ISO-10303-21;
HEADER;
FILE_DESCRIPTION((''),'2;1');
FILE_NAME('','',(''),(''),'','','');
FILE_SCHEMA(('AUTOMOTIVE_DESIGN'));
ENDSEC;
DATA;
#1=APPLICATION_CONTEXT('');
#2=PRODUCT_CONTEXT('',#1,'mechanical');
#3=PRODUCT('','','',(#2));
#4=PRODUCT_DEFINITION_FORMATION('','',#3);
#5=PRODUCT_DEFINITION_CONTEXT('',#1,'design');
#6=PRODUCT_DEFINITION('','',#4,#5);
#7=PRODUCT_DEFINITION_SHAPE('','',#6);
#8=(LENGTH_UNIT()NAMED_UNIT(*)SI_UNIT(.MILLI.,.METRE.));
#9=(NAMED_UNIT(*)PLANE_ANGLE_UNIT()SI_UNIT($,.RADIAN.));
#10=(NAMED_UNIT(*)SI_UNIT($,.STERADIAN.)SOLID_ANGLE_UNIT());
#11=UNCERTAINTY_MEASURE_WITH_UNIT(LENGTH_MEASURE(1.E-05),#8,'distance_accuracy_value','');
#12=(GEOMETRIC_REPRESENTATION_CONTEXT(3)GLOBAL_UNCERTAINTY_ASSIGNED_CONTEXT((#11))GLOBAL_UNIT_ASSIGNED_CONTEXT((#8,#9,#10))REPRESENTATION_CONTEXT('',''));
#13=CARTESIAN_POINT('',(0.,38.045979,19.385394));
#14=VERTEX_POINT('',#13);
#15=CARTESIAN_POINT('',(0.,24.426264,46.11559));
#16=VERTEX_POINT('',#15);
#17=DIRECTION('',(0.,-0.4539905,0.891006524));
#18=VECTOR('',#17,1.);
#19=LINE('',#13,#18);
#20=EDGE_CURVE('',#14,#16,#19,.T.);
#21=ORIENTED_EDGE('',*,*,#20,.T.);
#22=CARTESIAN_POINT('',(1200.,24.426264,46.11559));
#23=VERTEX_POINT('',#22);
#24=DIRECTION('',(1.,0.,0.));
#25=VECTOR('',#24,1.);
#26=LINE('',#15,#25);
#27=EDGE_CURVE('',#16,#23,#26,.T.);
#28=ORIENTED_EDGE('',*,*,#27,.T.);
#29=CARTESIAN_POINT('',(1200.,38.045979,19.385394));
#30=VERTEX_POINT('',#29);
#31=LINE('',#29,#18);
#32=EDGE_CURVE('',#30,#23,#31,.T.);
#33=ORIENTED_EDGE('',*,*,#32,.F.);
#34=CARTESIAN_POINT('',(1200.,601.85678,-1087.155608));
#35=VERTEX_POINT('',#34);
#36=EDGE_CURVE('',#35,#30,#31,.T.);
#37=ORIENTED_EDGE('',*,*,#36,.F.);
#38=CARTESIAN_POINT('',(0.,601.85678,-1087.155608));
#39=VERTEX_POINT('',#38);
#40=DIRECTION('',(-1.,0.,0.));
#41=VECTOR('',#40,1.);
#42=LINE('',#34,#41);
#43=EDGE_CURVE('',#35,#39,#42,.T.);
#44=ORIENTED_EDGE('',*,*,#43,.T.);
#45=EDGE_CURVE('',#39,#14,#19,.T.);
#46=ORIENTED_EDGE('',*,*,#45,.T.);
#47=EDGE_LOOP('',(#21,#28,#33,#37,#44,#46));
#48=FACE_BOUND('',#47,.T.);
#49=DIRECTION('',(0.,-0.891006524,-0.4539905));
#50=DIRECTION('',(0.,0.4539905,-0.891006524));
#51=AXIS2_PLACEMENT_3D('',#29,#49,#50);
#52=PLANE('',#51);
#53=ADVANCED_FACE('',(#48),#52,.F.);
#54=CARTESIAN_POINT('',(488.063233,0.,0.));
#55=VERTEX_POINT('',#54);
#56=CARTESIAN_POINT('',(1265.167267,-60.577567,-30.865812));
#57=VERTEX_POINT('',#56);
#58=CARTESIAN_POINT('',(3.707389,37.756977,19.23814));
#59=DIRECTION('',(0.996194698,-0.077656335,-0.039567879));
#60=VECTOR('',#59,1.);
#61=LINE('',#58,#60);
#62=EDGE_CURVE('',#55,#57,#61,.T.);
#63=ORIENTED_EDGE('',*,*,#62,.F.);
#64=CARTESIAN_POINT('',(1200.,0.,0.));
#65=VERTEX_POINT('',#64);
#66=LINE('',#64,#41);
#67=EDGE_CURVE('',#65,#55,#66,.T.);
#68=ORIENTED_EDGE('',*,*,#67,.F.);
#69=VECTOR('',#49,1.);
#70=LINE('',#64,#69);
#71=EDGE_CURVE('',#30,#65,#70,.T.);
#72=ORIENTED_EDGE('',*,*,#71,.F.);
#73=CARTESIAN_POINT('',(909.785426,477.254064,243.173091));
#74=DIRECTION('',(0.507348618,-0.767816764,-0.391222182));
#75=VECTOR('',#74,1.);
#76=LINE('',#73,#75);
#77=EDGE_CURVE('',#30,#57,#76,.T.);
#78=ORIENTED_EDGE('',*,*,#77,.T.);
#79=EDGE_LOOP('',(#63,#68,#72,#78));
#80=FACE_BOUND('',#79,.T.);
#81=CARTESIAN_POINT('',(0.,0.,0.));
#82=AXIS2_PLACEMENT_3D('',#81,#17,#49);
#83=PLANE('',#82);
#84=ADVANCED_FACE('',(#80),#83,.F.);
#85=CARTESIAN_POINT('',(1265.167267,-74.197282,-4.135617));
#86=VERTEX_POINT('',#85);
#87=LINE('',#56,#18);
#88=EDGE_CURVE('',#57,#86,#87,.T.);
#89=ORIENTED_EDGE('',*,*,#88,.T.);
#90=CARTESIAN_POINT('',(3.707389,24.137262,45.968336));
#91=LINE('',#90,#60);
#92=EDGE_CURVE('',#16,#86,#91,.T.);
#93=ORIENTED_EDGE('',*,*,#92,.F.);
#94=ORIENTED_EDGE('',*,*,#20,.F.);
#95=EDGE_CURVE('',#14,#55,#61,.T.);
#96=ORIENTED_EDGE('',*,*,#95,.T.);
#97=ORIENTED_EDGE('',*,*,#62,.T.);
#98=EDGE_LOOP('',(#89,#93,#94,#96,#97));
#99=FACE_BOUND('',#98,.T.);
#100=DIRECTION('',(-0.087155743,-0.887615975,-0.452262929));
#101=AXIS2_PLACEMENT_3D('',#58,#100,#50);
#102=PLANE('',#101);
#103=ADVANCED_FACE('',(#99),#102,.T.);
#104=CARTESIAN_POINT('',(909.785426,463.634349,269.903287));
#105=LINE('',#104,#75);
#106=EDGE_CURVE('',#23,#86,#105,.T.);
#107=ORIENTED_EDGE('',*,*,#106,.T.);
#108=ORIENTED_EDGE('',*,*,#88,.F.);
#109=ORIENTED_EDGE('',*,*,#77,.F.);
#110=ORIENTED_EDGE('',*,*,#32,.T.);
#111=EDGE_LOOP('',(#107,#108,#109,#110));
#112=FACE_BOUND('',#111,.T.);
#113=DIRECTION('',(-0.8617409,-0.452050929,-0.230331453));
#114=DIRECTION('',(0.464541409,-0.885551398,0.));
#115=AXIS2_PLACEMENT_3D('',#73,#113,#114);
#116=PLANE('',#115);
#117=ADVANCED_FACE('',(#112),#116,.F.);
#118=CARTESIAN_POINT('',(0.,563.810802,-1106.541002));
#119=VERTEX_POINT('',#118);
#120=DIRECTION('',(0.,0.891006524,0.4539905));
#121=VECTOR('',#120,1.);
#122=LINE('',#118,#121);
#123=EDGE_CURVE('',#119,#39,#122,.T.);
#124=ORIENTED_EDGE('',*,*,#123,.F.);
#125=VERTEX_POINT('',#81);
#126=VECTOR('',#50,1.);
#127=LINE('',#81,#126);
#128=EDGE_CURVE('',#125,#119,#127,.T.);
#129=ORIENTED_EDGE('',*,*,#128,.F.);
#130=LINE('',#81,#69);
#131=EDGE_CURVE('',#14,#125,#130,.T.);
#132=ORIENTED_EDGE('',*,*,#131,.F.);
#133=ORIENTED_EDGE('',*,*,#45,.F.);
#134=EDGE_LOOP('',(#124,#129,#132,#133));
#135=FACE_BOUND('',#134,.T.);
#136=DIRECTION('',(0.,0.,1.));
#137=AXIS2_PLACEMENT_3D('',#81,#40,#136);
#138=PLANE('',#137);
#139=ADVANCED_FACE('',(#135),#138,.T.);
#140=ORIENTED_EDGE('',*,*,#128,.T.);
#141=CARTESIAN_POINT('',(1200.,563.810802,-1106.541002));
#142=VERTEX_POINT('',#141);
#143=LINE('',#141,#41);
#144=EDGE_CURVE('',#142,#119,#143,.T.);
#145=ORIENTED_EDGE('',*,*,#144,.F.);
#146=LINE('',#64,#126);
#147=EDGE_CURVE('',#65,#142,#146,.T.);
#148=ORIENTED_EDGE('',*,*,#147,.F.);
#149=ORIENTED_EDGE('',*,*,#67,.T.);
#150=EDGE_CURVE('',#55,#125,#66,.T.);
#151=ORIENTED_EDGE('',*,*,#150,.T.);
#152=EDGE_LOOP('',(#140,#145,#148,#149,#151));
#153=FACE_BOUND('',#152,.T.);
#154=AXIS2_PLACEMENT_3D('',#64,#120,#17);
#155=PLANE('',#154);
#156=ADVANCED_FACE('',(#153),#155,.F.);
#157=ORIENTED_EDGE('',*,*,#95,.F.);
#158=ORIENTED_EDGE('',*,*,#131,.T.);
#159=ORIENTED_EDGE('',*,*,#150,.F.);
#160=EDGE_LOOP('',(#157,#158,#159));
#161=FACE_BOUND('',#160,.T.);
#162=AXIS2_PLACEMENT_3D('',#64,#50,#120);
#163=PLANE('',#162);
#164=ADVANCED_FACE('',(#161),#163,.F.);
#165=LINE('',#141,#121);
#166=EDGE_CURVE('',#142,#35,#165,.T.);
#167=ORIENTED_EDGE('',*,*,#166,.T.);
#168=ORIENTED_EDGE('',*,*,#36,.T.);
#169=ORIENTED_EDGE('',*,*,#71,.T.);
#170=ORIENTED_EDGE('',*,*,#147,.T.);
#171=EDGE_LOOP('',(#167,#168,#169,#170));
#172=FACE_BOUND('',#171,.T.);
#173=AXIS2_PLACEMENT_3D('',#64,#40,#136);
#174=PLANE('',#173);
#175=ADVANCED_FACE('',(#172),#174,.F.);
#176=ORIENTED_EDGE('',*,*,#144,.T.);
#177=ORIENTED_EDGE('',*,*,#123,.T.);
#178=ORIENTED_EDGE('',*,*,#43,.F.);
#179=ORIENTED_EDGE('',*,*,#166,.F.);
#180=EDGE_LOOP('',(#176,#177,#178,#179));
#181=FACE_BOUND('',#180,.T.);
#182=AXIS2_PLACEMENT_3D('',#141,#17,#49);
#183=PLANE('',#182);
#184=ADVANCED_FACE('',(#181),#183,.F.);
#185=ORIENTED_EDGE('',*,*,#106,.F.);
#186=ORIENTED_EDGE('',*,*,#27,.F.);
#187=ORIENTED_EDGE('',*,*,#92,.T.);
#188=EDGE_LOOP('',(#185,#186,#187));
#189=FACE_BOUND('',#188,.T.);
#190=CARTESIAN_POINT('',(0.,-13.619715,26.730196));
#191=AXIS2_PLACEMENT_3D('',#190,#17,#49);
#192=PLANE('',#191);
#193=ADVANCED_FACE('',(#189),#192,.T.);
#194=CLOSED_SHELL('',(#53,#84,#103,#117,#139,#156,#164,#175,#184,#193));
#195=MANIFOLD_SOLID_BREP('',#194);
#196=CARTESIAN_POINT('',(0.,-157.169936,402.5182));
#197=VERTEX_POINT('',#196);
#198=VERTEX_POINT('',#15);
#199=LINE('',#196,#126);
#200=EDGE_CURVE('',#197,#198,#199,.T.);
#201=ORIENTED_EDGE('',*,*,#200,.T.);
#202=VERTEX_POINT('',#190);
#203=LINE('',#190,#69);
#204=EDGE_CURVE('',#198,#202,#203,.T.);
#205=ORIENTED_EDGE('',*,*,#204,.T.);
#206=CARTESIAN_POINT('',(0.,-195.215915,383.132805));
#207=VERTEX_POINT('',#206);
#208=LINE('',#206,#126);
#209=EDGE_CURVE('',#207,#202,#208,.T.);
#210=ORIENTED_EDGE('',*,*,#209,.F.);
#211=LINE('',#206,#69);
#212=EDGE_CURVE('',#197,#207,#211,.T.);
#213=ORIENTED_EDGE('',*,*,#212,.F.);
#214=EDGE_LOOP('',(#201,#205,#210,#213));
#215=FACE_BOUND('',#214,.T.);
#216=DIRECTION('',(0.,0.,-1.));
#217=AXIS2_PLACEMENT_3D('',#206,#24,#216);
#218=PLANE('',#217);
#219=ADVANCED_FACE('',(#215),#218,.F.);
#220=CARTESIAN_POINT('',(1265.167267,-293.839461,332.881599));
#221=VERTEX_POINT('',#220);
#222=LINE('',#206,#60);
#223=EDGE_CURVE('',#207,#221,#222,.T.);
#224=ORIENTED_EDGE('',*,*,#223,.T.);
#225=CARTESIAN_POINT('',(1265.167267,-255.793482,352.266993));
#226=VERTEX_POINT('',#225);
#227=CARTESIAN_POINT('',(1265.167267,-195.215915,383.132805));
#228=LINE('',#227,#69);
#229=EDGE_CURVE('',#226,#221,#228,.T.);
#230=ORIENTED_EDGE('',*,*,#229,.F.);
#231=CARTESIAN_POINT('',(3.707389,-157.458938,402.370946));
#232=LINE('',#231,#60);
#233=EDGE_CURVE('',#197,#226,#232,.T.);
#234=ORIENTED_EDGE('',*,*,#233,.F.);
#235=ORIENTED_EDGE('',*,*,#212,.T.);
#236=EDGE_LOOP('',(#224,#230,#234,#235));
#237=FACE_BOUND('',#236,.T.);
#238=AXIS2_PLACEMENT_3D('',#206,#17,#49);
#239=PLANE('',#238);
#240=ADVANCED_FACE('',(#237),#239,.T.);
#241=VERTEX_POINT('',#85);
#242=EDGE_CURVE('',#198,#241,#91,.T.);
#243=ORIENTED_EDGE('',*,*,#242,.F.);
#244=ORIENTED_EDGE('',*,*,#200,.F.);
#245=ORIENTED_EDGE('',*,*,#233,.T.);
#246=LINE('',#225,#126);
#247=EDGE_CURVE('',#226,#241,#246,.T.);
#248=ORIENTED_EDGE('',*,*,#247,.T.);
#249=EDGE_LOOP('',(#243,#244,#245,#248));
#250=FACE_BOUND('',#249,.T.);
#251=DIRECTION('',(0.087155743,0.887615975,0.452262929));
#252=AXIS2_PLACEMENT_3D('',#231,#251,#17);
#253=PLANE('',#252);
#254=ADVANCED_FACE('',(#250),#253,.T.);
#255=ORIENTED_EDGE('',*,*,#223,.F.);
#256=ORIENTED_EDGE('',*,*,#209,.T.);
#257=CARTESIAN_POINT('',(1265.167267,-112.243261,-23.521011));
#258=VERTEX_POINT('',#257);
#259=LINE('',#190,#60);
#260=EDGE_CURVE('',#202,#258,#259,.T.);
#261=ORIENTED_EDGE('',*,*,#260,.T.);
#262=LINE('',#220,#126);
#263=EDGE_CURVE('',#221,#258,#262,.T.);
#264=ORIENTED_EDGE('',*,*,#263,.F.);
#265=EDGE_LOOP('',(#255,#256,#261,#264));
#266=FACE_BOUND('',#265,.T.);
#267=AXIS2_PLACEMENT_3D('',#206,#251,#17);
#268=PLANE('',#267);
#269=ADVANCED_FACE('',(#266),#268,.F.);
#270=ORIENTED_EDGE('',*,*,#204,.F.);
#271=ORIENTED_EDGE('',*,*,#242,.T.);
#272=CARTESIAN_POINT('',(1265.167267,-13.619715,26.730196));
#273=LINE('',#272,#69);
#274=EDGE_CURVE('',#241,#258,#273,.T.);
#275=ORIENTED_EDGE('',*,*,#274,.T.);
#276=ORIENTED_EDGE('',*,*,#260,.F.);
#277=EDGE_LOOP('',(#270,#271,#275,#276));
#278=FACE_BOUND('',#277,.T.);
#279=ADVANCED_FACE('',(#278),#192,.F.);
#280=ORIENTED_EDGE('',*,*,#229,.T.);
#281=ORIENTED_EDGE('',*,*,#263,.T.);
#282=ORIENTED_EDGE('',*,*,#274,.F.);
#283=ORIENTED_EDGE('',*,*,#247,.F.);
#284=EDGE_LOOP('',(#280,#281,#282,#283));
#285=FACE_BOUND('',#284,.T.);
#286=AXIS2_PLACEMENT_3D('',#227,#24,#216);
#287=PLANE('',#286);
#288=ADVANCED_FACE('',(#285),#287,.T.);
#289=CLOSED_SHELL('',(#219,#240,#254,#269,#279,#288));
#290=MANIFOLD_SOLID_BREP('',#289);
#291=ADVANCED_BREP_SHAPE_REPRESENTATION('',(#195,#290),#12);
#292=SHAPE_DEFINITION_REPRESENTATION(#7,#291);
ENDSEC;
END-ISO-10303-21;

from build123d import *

# Parameters (mm, degrees)
BOSS_EXTRUDE1_DEPTH = 1200
BOSS_EXTRUDE2_DEPTH = 400
BOSS_EXTRUDE3_DEPTH = 30


with BuildPart() as part:
    # Sketch1 → Boss-Extrude1 (new body)
    with BuildSketch(Plane(origin=(0, 0, 0), x_dir=(0, 0, -1), z_dir=(1, 0, 0))):
        Polygon((0, 0), (1106.54100239, 563.810801627), (1087.155608051, 601.856780209), (-19.385394339, 38.045978583), align=None)
    extrude(amount=BOSS_EXTRUDE1_DEPTH)

    # Sketch3<3> → Boss-Extrude3 (add)
    with BuildSketch(Plane(origin=(0, -13.619714992, 26.730195726), x_dir=(1, 0, 0), z_dir=(0, -0.45399049973954797, 0.8910065241883675))):
        Polygon((556.279396443, 42.7), (0, 42.7), (1265.167266577, -67.98779329), (1200, 42.7), align=None)
    extrude(amount=-BOSS_EXTRUDE3_DEPTH)


with BuildPart() as body_2:
    # Sketch3 → Boss-Extrude2 (new body)
    with BuildSketch(Plane(origin=(0, -13.619714992, 26.730195726), x_dir=(1, 0, 0), z_dir=(0, -0.45399049973954797, 0.8910065241883675))):
        Polygon((1265.167266577, -67.98779329), (0, 42.7), (0, 0), (1265.167266577, -110.68779329), align=None)
    extrude(amount=BOSS_EXTRUDE2_DEPTH)


solid = Compound([part.part, body_2.part])
